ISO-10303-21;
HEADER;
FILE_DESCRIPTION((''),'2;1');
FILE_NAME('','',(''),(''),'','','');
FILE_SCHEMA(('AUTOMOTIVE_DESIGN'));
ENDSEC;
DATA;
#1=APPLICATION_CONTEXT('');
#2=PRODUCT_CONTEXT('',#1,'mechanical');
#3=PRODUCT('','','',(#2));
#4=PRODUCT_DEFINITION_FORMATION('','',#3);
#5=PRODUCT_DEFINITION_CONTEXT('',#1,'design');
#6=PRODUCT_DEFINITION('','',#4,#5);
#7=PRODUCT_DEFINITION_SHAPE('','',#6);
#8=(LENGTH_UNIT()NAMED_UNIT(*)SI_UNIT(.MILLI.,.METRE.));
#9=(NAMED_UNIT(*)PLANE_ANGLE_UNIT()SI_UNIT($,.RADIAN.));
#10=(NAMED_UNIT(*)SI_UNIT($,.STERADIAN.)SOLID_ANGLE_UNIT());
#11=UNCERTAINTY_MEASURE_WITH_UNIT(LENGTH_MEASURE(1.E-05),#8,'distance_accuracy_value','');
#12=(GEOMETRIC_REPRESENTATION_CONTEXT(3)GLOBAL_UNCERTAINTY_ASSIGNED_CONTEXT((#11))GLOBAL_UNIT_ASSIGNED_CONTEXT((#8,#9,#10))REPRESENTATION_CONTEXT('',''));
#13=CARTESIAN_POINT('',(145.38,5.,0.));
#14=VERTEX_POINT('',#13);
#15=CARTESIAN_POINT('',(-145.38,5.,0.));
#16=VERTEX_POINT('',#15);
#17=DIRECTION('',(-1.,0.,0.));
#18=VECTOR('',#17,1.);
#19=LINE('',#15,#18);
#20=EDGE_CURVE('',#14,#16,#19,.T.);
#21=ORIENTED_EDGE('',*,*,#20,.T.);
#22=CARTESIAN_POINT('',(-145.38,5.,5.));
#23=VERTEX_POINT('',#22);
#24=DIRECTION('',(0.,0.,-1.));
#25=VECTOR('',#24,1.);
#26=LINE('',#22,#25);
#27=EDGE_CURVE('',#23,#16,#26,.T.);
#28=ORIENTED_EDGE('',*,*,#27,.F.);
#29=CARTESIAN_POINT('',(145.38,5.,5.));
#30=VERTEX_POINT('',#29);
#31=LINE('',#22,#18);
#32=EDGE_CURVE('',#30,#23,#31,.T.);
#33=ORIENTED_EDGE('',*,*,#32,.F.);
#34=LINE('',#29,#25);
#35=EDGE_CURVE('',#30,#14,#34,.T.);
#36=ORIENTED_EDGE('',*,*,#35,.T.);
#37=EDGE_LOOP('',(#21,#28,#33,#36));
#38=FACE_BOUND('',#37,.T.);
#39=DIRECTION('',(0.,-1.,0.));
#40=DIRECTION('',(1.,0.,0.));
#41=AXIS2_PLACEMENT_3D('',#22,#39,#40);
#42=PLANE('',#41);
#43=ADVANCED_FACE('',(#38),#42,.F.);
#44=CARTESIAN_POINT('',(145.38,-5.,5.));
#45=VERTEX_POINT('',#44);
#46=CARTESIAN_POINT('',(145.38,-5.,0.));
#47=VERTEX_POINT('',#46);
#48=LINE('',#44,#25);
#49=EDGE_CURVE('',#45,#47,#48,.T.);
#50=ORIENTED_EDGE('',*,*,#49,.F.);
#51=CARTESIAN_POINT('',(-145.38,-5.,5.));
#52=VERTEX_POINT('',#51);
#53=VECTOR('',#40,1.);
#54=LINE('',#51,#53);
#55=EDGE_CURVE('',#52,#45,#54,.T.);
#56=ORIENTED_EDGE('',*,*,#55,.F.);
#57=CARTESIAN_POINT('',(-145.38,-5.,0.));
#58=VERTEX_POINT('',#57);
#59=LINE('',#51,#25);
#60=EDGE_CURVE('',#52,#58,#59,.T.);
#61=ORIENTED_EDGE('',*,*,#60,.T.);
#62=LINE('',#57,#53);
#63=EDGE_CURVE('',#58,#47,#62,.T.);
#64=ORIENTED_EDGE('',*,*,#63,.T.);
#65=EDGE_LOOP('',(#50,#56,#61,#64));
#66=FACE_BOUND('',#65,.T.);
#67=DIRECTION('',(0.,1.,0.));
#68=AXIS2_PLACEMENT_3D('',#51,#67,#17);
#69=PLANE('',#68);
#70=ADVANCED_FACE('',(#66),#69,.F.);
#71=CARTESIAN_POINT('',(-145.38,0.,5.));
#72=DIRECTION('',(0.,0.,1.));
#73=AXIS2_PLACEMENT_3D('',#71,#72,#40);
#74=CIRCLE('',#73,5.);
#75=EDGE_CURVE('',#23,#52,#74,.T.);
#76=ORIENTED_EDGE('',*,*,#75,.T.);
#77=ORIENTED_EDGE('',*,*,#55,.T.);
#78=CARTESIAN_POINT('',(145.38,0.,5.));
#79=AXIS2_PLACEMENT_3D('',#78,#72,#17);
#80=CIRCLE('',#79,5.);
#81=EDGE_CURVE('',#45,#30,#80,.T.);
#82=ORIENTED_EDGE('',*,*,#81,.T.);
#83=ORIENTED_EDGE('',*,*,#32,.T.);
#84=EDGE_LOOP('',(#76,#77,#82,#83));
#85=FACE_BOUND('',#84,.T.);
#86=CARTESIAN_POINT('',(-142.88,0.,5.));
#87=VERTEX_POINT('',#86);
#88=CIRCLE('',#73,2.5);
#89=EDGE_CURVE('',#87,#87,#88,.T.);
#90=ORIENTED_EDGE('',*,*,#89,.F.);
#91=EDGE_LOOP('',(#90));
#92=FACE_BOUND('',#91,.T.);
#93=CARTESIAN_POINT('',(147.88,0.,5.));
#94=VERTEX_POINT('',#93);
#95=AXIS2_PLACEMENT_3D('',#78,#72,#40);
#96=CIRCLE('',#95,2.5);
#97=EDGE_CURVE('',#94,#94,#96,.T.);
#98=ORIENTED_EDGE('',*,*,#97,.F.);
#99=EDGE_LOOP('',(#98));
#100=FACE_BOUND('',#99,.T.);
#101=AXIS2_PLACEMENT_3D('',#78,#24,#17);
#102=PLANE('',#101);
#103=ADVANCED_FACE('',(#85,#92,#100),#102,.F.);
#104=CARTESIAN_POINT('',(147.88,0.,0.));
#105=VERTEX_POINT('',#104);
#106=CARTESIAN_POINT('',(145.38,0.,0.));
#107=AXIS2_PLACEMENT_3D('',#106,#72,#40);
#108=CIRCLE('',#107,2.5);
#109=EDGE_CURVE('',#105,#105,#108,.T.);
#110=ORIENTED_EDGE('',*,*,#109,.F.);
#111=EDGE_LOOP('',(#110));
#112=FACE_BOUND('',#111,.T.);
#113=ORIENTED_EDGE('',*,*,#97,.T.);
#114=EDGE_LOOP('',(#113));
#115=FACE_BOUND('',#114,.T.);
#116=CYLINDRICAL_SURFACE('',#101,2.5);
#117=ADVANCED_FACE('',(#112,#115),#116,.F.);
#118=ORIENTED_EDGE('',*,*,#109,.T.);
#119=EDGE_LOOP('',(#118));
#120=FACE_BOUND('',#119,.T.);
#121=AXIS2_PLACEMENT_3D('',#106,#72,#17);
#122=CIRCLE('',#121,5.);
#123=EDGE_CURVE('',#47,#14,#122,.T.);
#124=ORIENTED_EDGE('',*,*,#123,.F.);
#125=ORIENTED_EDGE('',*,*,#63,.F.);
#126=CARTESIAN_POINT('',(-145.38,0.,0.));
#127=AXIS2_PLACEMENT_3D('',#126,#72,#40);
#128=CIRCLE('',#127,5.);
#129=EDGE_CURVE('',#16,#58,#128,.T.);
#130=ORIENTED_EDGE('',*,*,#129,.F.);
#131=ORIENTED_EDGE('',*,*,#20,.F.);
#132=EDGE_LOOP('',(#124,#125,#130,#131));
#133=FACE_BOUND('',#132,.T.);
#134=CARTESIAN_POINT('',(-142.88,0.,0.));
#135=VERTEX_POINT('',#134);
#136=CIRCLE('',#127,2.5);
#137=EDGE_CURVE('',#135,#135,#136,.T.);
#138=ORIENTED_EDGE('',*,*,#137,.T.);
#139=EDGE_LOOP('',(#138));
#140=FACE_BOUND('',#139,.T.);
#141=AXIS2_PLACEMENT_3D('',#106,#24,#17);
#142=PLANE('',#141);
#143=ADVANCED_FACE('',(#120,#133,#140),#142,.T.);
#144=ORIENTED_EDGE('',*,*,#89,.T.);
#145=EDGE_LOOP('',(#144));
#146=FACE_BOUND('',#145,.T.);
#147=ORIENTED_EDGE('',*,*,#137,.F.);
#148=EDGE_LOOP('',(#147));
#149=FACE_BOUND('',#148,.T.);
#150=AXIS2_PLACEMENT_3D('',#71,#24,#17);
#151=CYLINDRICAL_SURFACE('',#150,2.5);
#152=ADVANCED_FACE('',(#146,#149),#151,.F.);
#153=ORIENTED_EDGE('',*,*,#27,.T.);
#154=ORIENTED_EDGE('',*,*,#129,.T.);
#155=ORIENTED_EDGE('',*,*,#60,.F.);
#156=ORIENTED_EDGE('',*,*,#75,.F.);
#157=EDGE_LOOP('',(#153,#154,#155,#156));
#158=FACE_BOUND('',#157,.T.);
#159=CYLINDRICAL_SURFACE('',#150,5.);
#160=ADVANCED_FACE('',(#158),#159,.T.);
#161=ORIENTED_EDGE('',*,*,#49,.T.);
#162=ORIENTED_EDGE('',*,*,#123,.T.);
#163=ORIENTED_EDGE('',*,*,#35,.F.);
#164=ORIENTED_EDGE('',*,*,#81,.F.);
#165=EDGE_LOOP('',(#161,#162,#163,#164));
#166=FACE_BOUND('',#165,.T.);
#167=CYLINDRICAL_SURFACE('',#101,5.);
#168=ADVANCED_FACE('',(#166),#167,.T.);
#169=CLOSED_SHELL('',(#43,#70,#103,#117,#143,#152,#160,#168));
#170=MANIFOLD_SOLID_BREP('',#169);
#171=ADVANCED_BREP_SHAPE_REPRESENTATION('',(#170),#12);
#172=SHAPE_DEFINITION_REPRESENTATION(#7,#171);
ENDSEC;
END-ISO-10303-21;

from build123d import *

# Parameters (mm, degrees)
ESBO_O1_R                = 2.5
RESSALTO_EXTRUS_O1_DEPTH = 5


with BuildPart() as part:
    # Esboço1 → Ressalto-extrusão1 (new body)
    with BuildSketch(Plane.XY):
        with BuildLine():
            Line((-145.38, 5), (145.38, 5))
            ThreePointArc((145.38, 5), (150.38, 0), (145.38, -5))
            Line((145.38, -5), (-145.38, -5))
            ThreePointArc((-145.38, -5), (-150.38, 0), (-145.38, 5))
        make_face()
        with Locations((-145.38, 0)):
            Circle(ESBO_O1_R, mode=Mode.SUBTRACT)
        with Locations((145.38, 0)):
            Circle(ESBO_O1_R, mode=Mode.SUBTRACT)
    extrude(amount=RESSALTO_EXTRUS_O1_DEPTH)


solid = part.part
